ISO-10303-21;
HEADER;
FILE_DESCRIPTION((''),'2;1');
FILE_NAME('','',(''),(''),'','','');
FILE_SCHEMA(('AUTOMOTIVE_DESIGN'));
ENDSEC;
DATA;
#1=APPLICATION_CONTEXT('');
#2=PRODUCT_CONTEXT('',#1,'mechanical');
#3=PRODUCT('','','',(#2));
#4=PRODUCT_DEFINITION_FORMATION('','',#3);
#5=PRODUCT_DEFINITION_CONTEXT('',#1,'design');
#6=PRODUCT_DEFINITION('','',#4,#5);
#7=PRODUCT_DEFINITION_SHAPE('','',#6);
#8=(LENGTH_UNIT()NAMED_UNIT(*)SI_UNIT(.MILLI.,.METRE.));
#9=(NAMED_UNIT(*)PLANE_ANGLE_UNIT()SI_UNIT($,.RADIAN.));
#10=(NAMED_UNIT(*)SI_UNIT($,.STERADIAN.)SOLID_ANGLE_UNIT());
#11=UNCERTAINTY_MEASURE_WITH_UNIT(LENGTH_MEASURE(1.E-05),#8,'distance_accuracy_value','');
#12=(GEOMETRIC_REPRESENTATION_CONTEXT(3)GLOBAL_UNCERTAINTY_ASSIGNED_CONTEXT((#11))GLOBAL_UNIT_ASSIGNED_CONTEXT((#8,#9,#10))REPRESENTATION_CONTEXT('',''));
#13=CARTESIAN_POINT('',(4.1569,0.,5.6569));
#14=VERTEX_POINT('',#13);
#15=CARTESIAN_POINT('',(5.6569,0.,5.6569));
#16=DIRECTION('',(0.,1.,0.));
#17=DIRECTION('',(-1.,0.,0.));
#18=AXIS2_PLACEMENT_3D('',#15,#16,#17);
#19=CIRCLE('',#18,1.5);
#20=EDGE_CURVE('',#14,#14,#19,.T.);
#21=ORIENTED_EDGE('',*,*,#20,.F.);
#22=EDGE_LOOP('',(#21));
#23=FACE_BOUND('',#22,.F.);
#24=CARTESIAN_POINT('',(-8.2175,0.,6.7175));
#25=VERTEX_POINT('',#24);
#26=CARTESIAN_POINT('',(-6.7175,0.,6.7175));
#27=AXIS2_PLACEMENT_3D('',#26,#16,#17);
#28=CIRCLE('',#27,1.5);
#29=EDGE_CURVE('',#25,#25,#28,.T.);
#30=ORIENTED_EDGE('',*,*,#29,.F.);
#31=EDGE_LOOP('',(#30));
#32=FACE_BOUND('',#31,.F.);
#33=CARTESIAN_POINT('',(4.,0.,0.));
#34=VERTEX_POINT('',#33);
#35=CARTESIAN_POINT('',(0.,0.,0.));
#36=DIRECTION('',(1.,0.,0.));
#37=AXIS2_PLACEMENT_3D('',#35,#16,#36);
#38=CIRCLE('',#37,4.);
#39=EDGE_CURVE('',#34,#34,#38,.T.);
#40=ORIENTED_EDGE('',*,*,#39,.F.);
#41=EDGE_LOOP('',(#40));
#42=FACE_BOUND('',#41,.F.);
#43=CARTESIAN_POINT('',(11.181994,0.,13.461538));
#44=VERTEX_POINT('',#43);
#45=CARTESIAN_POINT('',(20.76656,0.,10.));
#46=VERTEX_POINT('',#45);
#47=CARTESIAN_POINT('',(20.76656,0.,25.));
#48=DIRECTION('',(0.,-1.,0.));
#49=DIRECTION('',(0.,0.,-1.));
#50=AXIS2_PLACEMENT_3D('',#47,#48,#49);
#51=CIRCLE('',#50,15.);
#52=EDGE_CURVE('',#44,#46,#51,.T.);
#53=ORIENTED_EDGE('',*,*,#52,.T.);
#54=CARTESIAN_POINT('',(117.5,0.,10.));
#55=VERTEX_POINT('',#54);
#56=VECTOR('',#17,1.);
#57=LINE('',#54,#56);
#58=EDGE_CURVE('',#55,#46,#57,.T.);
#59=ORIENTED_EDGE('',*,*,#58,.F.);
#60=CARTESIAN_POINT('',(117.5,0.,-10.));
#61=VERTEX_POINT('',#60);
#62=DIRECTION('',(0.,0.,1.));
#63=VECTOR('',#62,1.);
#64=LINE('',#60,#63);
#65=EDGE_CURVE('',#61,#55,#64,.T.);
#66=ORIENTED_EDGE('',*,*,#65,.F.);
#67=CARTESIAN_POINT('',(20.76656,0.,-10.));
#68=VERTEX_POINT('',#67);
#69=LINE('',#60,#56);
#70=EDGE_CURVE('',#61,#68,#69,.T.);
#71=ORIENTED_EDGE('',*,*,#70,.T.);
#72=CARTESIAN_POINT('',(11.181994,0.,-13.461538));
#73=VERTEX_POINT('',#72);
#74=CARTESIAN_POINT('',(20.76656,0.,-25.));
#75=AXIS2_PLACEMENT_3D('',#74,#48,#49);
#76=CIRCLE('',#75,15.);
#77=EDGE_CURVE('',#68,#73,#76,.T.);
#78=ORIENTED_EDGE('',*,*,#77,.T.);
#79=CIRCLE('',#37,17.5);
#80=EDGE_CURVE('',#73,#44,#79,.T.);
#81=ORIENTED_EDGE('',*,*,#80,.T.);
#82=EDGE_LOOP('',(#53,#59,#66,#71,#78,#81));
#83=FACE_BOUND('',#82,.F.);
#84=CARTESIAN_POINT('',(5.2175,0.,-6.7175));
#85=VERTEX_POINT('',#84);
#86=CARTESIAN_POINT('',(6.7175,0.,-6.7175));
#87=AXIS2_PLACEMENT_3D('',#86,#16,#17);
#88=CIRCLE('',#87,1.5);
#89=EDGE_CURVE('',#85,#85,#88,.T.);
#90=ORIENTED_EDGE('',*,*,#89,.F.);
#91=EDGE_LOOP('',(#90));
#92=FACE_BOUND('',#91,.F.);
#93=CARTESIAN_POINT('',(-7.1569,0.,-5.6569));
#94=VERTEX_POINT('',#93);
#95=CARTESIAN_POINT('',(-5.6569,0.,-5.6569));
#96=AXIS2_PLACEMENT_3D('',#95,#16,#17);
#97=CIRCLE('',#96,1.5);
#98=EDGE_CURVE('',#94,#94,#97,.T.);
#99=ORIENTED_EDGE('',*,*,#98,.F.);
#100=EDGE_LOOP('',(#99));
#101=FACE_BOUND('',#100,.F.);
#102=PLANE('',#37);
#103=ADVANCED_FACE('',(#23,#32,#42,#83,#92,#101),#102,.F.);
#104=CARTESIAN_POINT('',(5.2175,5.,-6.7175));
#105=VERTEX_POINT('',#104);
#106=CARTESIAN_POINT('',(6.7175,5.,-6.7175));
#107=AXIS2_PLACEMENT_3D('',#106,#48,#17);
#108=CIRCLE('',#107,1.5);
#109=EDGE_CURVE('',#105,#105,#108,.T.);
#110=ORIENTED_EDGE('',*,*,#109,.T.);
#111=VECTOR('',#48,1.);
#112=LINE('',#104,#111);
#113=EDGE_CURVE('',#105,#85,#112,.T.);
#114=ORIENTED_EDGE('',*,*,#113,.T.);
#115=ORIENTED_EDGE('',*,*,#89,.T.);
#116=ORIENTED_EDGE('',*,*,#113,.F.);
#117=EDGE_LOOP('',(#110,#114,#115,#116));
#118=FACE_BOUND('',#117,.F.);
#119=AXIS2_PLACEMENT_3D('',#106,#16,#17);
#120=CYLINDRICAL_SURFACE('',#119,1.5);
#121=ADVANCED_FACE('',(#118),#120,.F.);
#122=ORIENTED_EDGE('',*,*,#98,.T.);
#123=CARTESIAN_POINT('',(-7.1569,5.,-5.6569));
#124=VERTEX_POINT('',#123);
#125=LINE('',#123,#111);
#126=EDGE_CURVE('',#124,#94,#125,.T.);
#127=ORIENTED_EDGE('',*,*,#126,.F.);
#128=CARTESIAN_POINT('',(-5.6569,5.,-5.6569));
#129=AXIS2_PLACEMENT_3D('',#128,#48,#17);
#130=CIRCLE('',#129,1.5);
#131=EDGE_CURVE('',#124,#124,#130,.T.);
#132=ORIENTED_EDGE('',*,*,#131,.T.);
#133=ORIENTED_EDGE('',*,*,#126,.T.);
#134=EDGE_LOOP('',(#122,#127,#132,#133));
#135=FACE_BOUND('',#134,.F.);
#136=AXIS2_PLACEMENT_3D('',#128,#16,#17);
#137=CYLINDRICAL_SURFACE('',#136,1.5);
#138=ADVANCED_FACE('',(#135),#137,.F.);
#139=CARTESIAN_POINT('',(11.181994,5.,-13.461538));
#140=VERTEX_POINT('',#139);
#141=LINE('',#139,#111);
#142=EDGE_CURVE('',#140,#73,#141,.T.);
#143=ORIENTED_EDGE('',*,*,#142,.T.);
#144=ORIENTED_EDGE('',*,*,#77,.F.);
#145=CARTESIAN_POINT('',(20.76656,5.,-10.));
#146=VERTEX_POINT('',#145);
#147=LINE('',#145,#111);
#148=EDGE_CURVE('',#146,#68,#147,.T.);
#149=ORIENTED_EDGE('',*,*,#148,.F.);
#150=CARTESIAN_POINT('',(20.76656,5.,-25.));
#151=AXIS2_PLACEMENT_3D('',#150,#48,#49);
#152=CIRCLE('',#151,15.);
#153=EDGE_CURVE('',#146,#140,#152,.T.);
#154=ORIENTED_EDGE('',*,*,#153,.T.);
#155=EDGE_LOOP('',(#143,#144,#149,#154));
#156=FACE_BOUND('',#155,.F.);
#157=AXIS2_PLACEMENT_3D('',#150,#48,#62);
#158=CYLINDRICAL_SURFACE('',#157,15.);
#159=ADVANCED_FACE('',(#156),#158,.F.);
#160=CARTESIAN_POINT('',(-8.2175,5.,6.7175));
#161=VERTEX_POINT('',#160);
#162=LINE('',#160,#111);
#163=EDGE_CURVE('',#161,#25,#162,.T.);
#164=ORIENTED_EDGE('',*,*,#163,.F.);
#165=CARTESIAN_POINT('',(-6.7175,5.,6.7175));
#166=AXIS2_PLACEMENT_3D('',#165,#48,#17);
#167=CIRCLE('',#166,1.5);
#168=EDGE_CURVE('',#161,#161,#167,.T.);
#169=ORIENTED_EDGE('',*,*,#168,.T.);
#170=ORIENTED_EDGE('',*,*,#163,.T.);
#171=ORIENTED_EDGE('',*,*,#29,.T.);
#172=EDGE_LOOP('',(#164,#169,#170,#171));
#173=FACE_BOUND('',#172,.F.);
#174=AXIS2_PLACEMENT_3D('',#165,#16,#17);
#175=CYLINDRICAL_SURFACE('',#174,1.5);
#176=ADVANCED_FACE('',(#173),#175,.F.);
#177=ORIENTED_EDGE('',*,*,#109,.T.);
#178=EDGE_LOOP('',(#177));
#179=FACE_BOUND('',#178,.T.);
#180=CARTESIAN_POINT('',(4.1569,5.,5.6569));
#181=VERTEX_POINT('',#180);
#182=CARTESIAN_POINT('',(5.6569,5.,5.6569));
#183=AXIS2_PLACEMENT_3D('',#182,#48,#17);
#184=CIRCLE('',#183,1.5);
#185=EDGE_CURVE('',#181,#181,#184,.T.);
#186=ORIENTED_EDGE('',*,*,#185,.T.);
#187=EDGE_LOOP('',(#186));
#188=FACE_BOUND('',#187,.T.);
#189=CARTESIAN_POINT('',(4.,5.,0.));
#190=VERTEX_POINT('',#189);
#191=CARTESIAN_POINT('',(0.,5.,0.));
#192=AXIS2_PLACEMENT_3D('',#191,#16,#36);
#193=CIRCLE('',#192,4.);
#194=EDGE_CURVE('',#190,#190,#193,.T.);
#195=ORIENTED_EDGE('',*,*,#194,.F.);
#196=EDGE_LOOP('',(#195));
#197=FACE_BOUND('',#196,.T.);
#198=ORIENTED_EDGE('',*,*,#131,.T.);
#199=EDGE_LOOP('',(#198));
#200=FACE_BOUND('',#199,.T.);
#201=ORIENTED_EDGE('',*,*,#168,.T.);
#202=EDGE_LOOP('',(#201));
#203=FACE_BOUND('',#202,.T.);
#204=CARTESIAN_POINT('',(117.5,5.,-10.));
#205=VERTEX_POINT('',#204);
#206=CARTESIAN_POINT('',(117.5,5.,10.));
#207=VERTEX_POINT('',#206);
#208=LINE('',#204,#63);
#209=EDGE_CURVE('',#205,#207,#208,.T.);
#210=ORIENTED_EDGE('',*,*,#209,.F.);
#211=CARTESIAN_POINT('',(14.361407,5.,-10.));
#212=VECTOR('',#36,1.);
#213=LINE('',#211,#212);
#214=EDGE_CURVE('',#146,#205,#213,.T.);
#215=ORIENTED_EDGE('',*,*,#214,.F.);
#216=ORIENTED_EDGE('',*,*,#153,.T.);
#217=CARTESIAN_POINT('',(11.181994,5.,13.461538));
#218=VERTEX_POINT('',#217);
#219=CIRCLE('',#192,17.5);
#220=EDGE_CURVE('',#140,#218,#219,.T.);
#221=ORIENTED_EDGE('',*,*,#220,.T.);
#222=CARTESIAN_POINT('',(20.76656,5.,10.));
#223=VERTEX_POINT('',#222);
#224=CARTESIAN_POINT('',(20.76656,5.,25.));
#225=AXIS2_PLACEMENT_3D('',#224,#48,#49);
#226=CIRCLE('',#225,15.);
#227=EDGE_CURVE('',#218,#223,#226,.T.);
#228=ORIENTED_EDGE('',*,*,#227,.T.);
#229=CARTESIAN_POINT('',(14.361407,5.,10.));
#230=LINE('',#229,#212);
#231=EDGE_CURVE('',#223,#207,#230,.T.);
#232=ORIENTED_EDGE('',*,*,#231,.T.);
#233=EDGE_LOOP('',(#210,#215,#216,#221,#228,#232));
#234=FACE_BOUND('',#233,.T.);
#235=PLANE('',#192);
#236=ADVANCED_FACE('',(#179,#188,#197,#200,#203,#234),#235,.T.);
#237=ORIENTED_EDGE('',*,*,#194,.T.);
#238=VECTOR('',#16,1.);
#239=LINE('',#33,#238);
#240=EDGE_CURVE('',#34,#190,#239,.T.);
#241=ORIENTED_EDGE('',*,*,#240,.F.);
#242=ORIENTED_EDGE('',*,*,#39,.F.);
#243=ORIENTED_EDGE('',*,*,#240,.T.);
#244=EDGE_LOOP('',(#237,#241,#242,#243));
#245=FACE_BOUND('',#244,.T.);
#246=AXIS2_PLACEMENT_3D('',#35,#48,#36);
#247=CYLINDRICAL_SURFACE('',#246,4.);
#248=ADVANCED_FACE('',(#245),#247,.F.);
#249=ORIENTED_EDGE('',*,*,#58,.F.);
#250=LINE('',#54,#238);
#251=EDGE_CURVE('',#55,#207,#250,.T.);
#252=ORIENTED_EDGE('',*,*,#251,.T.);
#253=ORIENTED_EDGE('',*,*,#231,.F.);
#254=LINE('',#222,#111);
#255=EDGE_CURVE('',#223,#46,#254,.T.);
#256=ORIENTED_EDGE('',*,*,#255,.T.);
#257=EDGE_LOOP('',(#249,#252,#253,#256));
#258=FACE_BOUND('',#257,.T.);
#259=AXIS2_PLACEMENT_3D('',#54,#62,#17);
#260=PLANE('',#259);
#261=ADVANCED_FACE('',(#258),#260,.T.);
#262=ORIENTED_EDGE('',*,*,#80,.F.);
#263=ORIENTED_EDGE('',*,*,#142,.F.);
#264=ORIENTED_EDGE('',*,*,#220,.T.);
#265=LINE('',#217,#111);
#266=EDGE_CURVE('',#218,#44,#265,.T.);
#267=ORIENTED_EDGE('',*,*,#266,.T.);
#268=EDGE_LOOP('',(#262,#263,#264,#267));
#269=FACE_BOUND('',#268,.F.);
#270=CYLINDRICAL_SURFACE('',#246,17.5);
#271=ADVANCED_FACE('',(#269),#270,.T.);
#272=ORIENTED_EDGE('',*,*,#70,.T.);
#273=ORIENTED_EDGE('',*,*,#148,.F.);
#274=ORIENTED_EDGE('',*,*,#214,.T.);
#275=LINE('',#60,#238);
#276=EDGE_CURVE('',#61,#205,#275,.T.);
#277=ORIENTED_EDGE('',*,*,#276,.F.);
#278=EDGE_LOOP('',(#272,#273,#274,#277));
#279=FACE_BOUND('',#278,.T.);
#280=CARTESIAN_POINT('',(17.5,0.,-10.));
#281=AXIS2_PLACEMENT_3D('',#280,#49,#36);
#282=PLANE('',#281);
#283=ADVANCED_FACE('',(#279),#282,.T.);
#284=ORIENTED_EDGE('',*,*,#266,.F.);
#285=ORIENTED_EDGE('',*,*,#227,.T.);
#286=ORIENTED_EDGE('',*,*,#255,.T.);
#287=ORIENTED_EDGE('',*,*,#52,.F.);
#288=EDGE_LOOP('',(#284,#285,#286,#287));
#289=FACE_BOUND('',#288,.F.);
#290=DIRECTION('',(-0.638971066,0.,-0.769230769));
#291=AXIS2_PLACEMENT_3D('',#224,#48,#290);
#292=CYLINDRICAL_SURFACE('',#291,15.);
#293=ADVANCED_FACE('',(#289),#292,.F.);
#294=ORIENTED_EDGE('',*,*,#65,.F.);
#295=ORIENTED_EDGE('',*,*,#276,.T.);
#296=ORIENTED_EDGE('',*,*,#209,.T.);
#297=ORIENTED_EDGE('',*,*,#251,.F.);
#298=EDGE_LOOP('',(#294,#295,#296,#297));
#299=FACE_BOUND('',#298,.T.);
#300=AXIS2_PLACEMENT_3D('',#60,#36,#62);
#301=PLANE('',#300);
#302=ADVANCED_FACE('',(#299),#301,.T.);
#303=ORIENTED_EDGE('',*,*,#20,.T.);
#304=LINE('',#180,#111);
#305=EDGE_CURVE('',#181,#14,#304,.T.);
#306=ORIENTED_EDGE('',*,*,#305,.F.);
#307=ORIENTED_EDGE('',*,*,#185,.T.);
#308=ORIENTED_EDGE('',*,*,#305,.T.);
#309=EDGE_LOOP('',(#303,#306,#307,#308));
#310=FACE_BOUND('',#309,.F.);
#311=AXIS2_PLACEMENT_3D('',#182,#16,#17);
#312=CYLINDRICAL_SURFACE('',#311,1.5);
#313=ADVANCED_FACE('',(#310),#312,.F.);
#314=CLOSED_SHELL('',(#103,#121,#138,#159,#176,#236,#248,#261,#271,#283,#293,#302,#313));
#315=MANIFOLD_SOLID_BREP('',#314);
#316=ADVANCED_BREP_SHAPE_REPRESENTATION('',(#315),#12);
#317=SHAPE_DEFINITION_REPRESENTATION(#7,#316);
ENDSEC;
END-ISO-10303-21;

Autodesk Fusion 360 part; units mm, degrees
sketch "Sketch1" plane through (0, 0, 0) normal (0, 1, 0) x (1, 0, 0)
  circle A0 centre (0, 0) radius 17.5
  circle A1 centre (0, 0) radius 4
  dimension "d1" = 35
  dimension "d4" = 8
extrude "Extrude1" add sketch "Sketch1" along normal blind 5 makes body 1
sketch "Sketch2" plane through (0, 0, 0) normal (0, 1, 0) x (1, 0, 0)
  line L0 (17.5, 10) -> (117.5, 10)
  line L1 (117.5, 10) -> (117.5, -10)
  line L2 (117.5, -10) -> (17.5, -10)
  line L3 (17.5, -10) -> (17.5, 10)
  line L4 (17.5, 10) -> (117.5, -10) construction
  line L5 (117.5, 10) -> (17.5, -10) construction
  circle A0 centre (0, 0) radius 17.5
  point P0 (67.5, 0)
  dimension "d5" = 100
  dimension "d6" = 20
extrude "Extrude2" add sketch "Sketch2" along normal up to surface (5 mm away) separate body contours L0 L1 L2 L3 makes body 2
sketch "Sketch3" plane through (0, 5, 0) normal (0, 1, 0) x (-1, 0, 0)
  circle A0 centre (0, 0) radius 4
  circle A1 centre (0, 0) radius 17.5
  circle A2 centre (0, 0) radius 9.5
  circle A3 centre (0, 0) radius 8
  circle A4 centre (5.6569, -5.6569) radius 1.5
  circle A5 centre (-5.6569, 5.6569) radius 1.5
  circle A6 centre (6.7175, 6.7175) radius 1.5
  circle A7 centre (-6.7175, -6.7175) radius 1.5
  line L0 (0, 0) -> (-6.7175, -6.7175)
  line L1 (0, 0) -> (5.6569, -5.6569)
  line L2 (0, 0) -> (6.7175, 6.7175)
  line L3 (0, 0) -> (-5.6569, 5.6569)
  line L4 (0, 0) -> (-4, 0)
  dimension "d11" = 19
  dimension "d12" = 16
  dimension "d13" = 3
  dimension "d14" = 3
  dimension "d15" = 3
  dimension "d16" = 3
  dimension "d17" = 45
  dimension "d19" = 45
  dimension "d20" = 45
  dimension "d39" = 45
extrude "Extrude3" cut sketch "Sketch3" against normal blind 5 contours A2 A6 L2 | A2 A6 L2 | A3 A4 L1 | A3 A4 L1 | A3 A5 L3 | A3 A5 L3 | A3 A5 | A2 A6 | A2 A7 L0 | A2 A7 L0 | A3 A4 | A2 A7 bodies 1
sketch "Sketch4" plane through (0, 5, 0) normal (0, 1, 0) x (-1, 0, 0)
  line L0 (-17.5, -10) -> (-17.5, 10)
  line L1 (-17.5, 10) -> (-117.5, 10)
  line L2 (-117.5, 10) -> (-117.5, -10)
  line L3 (-117.5, -10) -> (-17.5, -10)
  arc A0 (-17.5, -10) -> (0, -17.5) centre (-1.8213, 2.4169) ccw
  arc A1 (0, 17.5) -> (-17.5, 10) centre (-1.8213, -2.4169) ccw
  line L4 (0, 17.5) -> (-15, 0)
  line L5 (-15, 0) -> (0, -17.5)
  dimension "d26" = 17.5
  dimension "d28" = 17.5
  dimension "d29" = 20
  dimension "d30" = 20
sketch "Sketch5" plane through (0, 5, 0) normal (0, 1, 0) x (-1, 0, 0)
  line L0 (-17.5, -10) -> (-17.5, 10)
  line L1 (-17.5, 10) -> (-117.5, 10)
  line L2 (-117.5, 10) -> (-117.5, -10)
  line L3 (-117.5, -10) -> (-17.5, -10)
  line L4 (-17.5, -10) -> (-12.5, -10)
  line L5 (-12.5, -10) -> (-12.5, 10)
  line L6 (-12.5, 10) -> (-17.5, 10)
  line L7 (-17.5, 10) -> (-17.5, -10)
  dimension "d33" = 5
extrude "Extrude5" add sketch "Sketch5" against normal blind 5 contours L0 L4 L5 L6 L7 bodies 1 2
fillet "Fillet1" radius 15 2 edges at (14.3614, 2.5, 10) (14.3614, 2.5, -10) on bodies 1
equation "d26 = ( 35 / 2 ) * 1 mm"
